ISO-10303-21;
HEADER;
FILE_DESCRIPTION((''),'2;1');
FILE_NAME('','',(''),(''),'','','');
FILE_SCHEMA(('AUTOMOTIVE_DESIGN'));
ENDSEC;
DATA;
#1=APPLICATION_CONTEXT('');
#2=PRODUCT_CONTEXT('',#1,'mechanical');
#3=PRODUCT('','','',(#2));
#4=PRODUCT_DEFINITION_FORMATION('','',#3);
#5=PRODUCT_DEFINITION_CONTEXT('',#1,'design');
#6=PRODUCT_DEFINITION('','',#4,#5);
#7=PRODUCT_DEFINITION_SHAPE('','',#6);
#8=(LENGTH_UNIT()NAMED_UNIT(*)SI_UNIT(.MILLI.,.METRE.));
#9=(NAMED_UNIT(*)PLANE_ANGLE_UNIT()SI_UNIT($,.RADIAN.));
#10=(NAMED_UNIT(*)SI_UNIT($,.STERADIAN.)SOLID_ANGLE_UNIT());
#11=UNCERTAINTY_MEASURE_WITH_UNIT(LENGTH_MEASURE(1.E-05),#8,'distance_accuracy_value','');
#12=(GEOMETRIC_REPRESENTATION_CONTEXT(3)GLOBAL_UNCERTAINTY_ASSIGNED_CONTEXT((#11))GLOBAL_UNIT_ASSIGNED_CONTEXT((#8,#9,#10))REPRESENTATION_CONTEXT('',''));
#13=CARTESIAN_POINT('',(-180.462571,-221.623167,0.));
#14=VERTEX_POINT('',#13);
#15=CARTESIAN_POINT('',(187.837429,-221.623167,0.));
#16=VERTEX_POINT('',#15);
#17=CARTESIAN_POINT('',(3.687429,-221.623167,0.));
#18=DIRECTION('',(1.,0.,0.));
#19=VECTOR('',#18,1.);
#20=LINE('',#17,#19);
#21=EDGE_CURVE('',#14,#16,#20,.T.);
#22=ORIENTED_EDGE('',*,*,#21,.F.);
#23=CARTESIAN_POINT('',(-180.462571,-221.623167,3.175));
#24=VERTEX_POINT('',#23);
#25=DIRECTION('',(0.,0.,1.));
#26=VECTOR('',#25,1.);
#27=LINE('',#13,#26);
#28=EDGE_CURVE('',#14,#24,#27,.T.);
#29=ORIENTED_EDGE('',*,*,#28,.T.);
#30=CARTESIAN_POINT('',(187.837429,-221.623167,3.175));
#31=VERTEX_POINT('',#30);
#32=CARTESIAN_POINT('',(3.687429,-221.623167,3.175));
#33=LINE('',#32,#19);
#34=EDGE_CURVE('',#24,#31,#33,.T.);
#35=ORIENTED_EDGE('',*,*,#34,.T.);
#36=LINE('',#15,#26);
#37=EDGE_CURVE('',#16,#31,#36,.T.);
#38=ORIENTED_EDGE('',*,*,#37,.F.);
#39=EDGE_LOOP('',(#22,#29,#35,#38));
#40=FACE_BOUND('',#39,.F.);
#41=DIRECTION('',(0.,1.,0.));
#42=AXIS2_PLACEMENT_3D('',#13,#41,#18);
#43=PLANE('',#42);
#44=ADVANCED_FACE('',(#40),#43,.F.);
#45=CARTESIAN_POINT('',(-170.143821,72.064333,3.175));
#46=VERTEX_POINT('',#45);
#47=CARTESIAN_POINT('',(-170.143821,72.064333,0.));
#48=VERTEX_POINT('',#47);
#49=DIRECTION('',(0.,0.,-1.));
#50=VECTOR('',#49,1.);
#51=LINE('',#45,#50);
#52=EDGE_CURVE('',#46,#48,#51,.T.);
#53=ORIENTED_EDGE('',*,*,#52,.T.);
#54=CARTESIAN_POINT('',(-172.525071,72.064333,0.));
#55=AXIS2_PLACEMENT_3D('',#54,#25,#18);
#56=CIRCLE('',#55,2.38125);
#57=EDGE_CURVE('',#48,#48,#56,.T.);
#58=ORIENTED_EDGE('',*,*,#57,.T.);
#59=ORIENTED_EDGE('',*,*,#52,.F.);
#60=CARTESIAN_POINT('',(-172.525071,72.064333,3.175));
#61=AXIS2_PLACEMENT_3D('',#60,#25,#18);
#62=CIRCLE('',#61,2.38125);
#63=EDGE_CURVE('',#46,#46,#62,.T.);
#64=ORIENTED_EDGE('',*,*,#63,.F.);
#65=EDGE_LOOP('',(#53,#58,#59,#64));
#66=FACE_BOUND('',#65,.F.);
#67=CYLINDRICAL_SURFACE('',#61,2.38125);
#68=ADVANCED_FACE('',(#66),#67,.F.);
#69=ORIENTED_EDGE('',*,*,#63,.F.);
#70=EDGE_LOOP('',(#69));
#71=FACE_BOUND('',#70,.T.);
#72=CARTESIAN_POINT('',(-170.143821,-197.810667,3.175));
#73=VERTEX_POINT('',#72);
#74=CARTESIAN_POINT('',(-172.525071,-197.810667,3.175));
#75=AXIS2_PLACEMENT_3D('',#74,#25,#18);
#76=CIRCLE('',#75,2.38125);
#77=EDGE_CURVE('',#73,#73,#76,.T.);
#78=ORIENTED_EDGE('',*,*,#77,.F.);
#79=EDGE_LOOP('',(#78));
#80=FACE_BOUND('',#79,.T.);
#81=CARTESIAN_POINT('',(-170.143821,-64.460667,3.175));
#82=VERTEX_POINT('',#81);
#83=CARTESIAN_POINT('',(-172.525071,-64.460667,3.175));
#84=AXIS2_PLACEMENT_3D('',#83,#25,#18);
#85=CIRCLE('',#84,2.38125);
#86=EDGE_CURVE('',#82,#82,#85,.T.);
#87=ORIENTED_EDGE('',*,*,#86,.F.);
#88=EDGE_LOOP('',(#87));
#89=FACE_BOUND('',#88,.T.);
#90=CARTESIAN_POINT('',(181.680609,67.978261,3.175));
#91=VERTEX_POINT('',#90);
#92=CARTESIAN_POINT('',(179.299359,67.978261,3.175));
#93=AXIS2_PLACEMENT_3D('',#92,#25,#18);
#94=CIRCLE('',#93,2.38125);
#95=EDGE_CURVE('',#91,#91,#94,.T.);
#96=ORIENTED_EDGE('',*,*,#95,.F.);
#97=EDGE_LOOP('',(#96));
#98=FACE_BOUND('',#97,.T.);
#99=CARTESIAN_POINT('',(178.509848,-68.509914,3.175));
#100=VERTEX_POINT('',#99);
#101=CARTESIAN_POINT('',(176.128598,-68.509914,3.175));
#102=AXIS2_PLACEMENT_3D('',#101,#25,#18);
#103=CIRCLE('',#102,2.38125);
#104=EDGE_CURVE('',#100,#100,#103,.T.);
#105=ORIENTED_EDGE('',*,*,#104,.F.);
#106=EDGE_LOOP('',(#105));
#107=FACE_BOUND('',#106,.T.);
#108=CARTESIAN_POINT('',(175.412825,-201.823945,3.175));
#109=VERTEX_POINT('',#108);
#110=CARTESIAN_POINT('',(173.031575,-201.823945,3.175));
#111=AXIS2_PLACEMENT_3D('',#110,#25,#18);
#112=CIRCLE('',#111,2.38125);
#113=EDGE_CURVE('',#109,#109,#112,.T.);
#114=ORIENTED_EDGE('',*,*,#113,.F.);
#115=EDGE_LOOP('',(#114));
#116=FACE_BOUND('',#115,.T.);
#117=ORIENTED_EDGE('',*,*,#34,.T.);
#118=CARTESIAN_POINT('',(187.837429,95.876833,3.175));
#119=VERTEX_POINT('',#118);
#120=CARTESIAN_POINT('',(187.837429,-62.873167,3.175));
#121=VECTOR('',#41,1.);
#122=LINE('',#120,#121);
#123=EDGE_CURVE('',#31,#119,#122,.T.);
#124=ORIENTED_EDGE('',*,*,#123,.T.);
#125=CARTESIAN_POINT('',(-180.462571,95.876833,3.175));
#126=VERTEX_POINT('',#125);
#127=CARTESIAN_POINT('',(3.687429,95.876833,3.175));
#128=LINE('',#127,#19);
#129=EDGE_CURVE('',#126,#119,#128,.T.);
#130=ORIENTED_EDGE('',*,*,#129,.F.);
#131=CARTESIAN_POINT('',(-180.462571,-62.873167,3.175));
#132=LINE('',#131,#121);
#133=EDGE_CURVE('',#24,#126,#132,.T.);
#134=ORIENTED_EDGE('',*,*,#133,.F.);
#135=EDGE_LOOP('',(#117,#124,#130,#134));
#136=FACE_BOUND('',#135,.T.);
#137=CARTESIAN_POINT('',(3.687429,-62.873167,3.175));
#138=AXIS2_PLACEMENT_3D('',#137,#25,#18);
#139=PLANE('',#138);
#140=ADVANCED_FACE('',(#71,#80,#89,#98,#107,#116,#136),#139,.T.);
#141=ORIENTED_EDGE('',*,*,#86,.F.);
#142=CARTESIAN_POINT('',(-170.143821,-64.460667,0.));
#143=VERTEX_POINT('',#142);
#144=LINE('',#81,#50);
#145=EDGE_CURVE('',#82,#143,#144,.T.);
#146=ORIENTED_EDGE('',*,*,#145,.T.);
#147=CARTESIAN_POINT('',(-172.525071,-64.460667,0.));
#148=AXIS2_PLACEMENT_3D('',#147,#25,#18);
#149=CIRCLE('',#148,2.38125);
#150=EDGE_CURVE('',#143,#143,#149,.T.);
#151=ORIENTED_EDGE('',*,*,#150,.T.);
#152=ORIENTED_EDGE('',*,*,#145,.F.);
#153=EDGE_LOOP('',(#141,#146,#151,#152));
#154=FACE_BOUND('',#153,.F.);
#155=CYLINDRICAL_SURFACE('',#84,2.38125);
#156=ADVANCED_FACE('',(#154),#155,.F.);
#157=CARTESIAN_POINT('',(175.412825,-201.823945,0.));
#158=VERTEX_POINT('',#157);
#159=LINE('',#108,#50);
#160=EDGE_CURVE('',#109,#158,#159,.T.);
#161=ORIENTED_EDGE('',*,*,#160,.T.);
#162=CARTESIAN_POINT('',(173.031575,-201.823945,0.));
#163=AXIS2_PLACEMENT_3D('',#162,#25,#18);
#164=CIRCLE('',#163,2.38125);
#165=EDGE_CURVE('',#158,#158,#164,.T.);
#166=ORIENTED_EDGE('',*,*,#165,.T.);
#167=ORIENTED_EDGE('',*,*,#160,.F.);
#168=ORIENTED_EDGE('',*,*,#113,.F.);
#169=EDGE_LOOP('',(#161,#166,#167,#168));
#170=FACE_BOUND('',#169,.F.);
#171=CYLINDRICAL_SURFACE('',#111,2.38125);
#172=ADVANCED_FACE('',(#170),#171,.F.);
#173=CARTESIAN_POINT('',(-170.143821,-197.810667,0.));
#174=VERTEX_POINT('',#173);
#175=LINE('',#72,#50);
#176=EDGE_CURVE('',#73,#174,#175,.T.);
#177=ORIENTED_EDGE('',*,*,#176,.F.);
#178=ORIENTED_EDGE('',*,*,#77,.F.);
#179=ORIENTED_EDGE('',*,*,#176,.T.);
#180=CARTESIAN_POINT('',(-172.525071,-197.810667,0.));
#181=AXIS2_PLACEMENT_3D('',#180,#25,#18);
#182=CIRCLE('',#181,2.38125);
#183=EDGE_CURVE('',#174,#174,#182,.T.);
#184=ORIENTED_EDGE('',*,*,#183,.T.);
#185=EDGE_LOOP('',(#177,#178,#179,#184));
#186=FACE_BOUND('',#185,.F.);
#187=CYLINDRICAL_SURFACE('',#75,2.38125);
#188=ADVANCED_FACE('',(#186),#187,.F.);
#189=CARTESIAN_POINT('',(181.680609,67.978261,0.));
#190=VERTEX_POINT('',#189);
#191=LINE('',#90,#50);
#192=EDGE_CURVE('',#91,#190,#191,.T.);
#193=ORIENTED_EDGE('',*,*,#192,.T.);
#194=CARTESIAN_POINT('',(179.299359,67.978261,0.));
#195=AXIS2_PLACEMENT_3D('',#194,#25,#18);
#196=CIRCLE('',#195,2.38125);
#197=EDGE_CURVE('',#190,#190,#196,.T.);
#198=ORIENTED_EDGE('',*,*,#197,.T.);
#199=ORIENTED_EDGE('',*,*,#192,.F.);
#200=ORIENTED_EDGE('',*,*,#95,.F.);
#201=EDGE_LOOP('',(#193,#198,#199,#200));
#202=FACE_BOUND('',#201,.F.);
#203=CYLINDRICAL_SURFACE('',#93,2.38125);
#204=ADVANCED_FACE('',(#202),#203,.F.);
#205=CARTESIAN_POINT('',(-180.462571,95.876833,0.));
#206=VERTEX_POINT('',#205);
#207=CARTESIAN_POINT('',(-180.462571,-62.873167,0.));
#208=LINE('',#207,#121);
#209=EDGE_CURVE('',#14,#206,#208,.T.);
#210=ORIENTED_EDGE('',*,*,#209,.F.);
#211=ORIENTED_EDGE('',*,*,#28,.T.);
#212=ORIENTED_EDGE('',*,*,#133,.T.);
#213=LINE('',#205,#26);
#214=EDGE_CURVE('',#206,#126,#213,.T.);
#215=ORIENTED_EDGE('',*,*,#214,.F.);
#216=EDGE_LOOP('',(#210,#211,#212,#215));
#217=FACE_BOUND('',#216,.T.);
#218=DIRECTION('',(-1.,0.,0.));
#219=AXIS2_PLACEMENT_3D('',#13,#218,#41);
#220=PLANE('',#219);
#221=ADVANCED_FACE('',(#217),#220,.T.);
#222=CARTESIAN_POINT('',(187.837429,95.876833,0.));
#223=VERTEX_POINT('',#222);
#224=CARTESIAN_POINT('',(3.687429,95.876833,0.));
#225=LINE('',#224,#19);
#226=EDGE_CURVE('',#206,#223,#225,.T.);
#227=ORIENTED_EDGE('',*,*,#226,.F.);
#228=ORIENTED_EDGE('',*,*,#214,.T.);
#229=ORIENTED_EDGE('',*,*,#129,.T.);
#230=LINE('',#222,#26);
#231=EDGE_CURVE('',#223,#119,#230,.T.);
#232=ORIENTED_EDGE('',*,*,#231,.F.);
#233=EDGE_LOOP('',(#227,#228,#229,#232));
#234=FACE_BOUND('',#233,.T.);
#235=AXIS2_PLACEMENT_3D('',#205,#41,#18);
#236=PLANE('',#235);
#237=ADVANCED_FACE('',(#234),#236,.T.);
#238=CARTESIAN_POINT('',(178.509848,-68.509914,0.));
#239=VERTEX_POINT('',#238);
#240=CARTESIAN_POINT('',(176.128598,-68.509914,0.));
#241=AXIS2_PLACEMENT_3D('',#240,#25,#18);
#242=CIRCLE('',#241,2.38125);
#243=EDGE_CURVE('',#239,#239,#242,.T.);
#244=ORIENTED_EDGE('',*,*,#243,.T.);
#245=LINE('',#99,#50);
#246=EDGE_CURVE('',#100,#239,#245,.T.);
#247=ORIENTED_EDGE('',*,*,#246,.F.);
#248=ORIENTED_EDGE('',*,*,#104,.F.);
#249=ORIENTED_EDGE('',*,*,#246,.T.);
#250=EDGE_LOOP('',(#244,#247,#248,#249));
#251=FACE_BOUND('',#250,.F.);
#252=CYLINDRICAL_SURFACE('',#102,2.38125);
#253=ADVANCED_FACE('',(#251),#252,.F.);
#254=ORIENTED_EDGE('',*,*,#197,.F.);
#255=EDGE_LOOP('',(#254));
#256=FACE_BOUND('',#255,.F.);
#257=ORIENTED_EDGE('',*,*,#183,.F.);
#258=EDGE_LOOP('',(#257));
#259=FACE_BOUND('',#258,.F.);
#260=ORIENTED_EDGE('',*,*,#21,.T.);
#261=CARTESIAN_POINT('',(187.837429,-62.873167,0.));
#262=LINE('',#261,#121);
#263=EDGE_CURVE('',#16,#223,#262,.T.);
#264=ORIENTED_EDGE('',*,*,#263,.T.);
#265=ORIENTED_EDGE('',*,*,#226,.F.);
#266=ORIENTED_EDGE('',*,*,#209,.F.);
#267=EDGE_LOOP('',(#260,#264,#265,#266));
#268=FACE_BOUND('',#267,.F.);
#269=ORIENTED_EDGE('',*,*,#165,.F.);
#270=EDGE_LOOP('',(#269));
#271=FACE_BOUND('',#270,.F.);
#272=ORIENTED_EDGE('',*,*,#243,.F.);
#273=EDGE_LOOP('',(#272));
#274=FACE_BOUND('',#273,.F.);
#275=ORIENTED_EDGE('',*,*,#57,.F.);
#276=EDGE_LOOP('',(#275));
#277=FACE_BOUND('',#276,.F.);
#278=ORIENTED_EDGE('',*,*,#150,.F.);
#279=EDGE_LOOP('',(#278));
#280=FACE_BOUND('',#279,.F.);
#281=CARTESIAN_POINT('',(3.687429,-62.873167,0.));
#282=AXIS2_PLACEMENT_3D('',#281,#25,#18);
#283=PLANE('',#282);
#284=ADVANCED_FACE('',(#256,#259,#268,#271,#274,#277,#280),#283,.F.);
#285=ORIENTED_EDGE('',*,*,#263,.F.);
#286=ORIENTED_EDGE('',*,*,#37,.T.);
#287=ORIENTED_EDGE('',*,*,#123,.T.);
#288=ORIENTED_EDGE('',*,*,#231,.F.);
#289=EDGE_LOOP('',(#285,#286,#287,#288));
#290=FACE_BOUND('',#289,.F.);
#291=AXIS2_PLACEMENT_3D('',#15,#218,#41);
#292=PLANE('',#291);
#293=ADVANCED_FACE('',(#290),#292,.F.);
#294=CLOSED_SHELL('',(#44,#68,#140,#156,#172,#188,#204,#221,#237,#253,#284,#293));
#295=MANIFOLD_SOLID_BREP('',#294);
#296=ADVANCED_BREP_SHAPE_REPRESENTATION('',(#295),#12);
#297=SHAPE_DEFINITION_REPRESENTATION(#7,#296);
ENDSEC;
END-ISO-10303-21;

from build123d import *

# Parameters (mm, degrees)
F0_W     = 368.3
F0_H     = 317.5
F1_DEPTH = 3.175
F2_R     = 2.38125
F3_DEPTH = 25.4


with BuildPart() as f1:
    # F0 (on Top) → F1 (new body)
    with BuildSketch(Plane.XY):
        with Locations((3.687429, -62.873167)):
            Rectangle(F0_W, F0_H)
    extrude(amount=F1_DEPTH)

    # F2 (on face) → F3 (cut)
    with BuildSketch(Plane.XY.offset(3.175)):
        with Locations((-172.525071, -197.810667)):
            Circle(F2_R)
        with Locations((-172.525071, -64.460667)):
            Circle(F2_R)
        with Locations((-172.525071, 72.064333)):
            Circle(F2_R)
        with Locations((173.031575, -201.823945)):
            Circle(F2_R)
        with Locations((176.128598, -68.509914)):
            Circle(F2_R)
        with Locations((179.299359, 67.978261)):
            Circle(F2_R)
    extrude(amount=-F3_DEPTH, mode=Mode.SUBTRACT)


solid = f1.part
